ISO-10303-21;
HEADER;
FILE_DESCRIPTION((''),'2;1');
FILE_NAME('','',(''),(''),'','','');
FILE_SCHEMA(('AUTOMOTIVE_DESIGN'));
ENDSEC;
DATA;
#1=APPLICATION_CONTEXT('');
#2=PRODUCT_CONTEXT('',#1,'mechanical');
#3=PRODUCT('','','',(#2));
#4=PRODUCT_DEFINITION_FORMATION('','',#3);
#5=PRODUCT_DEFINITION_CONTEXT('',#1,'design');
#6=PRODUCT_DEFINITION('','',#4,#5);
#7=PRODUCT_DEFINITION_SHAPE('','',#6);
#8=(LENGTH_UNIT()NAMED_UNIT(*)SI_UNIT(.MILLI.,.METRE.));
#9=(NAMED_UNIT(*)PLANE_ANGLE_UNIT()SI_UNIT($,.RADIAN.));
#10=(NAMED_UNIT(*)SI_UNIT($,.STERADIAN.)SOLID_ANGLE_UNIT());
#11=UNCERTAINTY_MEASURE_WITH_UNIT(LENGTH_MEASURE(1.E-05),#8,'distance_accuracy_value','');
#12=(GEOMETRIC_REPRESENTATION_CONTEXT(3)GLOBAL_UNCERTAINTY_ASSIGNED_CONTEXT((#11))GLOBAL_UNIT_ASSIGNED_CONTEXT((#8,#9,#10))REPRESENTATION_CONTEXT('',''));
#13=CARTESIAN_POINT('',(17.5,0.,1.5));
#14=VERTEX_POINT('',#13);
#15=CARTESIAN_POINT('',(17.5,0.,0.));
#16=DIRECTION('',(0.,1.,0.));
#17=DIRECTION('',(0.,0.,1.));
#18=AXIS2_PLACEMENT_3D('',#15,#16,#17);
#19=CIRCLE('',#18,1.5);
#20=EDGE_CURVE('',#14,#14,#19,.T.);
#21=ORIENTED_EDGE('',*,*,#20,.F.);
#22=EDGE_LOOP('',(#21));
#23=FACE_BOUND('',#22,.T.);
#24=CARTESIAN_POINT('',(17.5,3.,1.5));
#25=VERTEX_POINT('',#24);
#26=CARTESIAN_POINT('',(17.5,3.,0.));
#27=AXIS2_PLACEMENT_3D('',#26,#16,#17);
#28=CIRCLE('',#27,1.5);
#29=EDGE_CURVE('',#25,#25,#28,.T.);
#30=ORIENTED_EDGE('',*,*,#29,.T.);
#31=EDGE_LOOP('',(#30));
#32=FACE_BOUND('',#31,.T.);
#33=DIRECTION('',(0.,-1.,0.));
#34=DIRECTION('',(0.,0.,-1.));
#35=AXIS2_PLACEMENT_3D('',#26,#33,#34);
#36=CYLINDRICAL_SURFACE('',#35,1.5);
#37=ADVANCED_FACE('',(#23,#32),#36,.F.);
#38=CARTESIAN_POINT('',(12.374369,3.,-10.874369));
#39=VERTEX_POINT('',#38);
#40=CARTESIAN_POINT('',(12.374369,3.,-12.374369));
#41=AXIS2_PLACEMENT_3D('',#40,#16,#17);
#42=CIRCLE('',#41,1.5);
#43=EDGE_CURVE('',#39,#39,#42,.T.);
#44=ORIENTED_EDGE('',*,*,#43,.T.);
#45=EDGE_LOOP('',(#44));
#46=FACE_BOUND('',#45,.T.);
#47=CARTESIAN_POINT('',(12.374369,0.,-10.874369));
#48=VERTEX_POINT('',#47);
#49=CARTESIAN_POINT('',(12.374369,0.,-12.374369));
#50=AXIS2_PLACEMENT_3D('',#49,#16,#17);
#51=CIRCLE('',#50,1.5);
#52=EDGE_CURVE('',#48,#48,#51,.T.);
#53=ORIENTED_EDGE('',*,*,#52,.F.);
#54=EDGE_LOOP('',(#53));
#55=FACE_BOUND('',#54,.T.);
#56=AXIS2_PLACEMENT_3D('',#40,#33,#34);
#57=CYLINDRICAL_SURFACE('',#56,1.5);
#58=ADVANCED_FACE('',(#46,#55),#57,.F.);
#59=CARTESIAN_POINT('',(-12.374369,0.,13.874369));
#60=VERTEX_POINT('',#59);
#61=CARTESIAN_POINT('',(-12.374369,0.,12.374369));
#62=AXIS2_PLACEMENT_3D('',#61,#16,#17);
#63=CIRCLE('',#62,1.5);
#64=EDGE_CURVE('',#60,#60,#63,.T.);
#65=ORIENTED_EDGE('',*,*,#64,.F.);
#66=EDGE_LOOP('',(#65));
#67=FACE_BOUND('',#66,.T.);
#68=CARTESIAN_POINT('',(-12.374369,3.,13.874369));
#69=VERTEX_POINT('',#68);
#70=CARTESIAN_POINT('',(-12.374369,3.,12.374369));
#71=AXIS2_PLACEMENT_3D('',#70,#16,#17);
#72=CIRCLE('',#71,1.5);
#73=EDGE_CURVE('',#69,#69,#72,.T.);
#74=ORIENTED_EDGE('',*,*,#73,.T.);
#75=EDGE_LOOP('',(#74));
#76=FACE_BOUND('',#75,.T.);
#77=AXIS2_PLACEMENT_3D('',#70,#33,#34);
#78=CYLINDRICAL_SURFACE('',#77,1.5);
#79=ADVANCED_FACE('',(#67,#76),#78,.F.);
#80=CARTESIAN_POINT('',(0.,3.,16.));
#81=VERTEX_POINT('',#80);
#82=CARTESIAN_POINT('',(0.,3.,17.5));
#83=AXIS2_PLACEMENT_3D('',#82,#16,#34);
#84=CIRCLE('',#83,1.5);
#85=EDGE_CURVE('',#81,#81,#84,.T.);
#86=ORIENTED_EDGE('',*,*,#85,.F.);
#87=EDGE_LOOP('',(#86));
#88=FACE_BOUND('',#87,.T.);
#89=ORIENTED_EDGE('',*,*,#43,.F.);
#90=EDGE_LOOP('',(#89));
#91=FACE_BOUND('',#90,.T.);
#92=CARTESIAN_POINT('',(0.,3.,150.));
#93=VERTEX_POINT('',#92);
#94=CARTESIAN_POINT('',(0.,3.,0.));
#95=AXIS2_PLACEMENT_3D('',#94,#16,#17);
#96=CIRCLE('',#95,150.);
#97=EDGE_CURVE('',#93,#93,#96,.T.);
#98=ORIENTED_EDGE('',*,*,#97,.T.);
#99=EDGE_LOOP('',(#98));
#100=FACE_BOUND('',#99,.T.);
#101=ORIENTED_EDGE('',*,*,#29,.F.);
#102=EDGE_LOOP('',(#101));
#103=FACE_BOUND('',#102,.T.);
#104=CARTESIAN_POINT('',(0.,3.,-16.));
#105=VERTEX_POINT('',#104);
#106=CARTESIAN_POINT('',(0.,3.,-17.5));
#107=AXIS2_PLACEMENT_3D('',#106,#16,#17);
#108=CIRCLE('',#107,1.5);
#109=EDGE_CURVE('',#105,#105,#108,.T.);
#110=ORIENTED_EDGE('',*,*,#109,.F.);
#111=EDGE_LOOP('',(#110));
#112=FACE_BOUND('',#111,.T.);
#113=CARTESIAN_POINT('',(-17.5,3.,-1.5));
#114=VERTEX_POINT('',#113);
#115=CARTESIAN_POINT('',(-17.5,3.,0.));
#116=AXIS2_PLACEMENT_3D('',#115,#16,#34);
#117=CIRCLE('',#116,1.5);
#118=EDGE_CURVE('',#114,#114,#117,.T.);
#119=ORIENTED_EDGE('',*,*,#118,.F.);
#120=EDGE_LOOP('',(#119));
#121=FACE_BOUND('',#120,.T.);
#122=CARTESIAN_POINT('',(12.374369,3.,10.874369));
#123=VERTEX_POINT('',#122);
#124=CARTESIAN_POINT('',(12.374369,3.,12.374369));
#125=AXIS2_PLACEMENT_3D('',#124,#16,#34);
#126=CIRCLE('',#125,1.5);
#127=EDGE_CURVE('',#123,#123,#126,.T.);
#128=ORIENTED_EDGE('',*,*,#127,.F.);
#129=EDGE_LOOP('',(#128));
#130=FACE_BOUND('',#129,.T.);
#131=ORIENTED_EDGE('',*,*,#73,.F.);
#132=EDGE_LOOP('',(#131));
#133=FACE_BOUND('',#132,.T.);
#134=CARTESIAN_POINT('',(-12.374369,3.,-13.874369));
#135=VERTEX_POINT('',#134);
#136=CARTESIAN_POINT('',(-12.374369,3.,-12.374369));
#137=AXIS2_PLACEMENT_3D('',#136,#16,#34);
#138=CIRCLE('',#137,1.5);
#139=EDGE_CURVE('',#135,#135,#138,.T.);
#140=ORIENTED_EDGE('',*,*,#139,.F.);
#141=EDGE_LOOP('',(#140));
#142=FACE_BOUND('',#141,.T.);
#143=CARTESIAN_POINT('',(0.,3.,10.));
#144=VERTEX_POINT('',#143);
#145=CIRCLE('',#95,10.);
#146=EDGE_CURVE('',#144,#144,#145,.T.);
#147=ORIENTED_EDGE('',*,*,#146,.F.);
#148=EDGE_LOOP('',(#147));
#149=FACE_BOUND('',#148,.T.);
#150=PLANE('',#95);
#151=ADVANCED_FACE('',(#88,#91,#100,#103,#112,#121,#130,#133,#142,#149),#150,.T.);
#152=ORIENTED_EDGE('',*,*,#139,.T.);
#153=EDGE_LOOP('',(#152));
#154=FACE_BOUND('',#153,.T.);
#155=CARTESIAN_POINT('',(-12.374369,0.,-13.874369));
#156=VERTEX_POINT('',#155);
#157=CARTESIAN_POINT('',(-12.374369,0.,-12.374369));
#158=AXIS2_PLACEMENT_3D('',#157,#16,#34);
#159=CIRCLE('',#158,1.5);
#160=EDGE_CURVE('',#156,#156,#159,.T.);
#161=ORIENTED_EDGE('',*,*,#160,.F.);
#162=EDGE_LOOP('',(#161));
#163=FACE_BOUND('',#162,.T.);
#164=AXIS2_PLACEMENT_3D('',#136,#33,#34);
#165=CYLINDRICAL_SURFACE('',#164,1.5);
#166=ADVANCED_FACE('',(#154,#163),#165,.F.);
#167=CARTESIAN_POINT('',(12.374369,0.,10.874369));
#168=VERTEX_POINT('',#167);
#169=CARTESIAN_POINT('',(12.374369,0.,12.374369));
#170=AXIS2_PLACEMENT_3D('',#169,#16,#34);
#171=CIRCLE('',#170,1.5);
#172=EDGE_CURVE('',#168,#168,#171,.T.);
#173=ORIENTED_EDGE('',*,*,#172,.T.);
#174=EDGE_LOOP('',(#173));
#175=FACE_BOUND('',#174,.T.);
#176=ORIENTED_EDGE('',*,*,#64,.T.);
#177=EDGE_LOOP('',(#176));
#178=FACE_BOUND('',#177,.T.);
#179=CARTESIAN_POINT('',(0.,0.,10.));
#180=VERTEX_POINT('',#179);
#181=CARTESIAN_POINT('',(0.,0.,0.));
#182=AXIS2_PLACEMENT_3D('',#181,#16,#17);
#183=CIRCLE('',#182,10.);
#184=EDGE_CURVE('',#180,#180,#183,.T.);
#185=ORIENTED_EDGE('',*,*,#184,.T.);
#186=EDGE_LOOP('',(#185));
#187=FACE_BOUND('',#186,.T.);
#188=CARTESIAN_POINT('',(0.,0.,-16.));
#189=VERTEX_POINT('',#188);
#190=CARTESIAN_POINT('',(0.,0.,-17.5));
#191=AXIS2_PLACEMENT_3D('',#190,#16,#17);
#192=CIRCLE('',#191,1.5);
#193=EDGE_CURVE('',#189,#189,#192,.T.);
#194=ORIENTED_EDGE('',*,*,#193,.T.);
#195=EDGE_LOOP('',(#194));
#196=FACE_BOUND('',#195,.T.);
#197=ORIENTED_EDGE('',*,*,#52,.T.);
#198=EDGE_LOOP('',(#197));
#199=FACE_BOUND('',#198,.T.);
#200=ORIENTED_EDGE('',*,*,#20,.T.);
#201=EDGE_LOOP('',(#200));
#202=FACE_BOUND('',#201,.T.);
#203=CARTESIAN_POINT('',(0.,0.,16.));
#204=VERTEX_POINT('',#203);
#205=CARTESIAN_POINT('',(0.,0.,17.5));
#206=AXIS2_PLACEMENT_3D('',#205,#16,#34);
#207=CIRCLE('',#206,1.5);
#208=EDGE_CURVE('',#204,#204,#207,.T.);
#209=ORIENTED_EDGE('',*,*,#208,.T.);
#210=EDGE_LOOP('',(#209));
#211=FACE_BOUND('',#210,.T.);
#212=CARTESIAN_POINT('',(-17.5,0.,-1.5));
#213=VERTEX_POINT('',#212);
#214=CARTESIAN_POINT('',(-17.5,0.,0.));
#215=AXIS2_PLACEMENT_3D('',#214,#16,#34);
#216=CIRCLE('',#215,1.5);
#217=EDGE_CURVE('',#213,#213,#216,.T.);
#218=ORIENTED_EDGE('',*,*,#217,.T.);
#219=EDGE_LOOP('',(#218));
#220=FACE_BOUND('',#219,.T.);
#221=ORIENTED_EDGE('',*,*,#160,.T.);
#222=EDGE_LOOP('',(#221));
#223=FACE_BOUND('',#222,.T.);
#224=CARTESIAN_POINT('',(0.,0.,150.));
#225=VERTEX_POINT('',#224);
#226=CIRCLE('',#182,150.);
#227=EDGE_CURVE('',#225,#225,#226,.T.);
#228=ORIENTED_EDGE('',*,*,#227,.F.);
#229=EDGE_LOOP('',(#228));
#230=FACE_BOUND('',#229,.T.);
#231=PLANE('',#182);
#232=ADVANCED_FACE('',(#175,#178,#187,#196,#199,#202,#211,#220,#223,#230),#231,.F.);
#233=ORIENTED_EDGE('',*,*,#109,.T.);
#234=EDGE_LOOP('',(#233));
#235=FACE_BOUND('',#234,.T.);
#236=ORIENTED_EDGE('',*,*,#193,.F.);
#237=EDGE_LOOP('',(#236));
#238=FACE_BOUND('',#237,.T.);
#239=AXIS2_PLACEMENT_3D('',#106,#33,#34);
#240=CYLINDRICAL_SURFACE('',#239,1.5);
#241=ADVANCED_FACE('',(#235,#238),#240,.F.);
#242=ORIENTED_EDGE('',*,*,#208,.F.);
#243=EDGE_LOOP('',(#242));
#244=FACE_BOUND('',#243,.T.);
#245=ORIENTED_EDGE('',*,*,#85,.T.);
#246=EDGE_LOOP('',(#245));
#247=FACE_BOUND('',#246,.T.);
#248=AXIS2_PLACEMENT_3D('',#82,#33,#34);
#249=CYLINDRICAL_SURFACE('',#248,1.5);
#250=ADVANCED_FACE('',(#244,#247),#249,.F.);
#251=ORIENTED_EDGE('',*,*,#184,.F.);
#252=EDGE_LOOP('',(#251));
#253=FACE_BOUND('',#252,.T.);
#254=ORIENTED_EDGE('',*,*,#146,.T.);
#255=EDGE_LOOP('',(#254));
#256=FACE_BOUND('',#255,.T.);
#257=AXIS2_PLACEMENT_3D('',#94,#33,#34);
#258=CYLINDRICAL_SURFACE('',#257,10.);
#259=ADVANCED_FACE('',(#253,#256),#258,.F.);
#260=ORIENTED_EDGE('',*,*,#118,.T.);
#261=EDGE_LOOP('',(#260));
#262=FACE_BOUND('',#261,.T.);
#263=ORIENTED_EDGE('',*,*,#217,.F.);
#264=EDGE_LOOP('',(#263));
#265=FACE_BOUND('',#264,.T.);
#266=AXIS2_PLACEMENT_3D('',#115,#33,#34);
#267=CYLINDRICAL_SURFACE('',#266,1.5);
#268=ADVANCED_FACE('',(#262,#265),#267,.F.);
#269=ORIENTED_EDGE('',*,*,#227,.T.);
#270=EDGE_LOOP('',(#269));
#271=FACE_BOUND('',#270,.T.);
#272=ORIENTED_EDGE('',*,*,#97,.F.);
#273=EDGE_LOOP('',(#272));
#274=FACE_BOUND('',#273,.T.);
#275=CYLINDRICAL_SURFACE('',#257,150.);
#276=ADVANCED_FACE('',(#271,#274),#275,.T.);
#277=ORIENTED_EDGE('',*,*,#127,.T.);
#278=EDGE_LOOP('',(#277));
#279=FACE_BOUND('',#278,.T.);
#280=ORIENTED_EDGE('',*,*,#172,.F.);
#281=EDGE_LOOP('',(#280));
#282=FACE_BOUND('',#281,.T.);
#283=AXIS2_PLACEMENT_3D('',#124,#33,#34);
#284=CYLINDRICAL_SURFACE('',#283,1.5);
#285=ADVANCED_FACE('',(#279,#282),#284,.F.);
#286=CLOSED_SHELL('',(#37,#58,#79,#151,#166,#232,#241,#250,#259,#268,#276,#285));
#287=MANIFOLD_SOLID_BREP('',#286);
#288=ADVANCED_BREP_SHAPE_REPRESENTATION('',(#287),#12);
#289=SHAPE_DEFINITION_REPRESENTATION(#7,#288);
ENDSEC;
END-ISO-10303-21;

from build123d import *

# Parameters (mm, degrees)
SKETCH_1_R      = 150
SKETCH_1_R_2    = 10
SKETCH_1_R_3    = 1.5
EXTRUDE_1_DEPTH = 3


with BuildPart() as part:
    # 草图1 → 凸台-拉伸1 (new body)
    with BuildSketch(Plane(origin=(0, 0, 0), x_dir=(1, 0, 0), z_dir=(0, 1, 0))):
        with Locations(Location((0, 0, 0), (0, 0, 270))):
            Circle(SKETCH_1_R)
        with Locations(Location((0, 0, 0), (0, 0, 270))):
            Circle(SKETCH_1_R_2, mode=Mode.SUBTRACT)
        with Locations(Location((12.374368671, 12.374368671, 0), (0, 0, 270))):
            Circle(SKETCH_1_R_3, mode=Mode.SUBTRACT)
        with Locations(Location((-12.374368671, 12.374368671, 0), (0, 0, 90))):
            Circle(SKETCH_1_R_3, mode=Mode.SUBTRACT)
        with Locations(Location((0, 17.5, 0), (0, 0, 270))):
            Circle(SKETCH_1_R_3, mode=Mode.SUBTRACT)
        with Locations(Location((17.5, 0, 0), (0, 0, 270))):
            Circle(SKETCH_1_R_3, mode=Mode.SUBTRACT)
        with Locations(Location((12.374368671, -12.374368671, 0), (0, 0, 90))):
            Circle(SKETCH_1_R_3, mode=Mode.SUBTRACT)
        with Locations(Location((0, -17.5, 0), (0, 0, 90))):
            Circle(SKETCH_1_R_3, mode=Mode.SUBTRACT)
        with Locations(Location((-12.374368671, -12.374368671, 0), (0, 0, 270))):
            Circle(SKETCH_1_R_3, mode=Mode.SUBTRACT)
        with Locations(Location((-17.5, 0, 0), (0, 0, 90))):
            Circle(SKETCH_1_R_3, mode=Mode.SUBTRACT)
    extrude(amount=EXTRUDE_1_DEPTH)


solid = part.part
